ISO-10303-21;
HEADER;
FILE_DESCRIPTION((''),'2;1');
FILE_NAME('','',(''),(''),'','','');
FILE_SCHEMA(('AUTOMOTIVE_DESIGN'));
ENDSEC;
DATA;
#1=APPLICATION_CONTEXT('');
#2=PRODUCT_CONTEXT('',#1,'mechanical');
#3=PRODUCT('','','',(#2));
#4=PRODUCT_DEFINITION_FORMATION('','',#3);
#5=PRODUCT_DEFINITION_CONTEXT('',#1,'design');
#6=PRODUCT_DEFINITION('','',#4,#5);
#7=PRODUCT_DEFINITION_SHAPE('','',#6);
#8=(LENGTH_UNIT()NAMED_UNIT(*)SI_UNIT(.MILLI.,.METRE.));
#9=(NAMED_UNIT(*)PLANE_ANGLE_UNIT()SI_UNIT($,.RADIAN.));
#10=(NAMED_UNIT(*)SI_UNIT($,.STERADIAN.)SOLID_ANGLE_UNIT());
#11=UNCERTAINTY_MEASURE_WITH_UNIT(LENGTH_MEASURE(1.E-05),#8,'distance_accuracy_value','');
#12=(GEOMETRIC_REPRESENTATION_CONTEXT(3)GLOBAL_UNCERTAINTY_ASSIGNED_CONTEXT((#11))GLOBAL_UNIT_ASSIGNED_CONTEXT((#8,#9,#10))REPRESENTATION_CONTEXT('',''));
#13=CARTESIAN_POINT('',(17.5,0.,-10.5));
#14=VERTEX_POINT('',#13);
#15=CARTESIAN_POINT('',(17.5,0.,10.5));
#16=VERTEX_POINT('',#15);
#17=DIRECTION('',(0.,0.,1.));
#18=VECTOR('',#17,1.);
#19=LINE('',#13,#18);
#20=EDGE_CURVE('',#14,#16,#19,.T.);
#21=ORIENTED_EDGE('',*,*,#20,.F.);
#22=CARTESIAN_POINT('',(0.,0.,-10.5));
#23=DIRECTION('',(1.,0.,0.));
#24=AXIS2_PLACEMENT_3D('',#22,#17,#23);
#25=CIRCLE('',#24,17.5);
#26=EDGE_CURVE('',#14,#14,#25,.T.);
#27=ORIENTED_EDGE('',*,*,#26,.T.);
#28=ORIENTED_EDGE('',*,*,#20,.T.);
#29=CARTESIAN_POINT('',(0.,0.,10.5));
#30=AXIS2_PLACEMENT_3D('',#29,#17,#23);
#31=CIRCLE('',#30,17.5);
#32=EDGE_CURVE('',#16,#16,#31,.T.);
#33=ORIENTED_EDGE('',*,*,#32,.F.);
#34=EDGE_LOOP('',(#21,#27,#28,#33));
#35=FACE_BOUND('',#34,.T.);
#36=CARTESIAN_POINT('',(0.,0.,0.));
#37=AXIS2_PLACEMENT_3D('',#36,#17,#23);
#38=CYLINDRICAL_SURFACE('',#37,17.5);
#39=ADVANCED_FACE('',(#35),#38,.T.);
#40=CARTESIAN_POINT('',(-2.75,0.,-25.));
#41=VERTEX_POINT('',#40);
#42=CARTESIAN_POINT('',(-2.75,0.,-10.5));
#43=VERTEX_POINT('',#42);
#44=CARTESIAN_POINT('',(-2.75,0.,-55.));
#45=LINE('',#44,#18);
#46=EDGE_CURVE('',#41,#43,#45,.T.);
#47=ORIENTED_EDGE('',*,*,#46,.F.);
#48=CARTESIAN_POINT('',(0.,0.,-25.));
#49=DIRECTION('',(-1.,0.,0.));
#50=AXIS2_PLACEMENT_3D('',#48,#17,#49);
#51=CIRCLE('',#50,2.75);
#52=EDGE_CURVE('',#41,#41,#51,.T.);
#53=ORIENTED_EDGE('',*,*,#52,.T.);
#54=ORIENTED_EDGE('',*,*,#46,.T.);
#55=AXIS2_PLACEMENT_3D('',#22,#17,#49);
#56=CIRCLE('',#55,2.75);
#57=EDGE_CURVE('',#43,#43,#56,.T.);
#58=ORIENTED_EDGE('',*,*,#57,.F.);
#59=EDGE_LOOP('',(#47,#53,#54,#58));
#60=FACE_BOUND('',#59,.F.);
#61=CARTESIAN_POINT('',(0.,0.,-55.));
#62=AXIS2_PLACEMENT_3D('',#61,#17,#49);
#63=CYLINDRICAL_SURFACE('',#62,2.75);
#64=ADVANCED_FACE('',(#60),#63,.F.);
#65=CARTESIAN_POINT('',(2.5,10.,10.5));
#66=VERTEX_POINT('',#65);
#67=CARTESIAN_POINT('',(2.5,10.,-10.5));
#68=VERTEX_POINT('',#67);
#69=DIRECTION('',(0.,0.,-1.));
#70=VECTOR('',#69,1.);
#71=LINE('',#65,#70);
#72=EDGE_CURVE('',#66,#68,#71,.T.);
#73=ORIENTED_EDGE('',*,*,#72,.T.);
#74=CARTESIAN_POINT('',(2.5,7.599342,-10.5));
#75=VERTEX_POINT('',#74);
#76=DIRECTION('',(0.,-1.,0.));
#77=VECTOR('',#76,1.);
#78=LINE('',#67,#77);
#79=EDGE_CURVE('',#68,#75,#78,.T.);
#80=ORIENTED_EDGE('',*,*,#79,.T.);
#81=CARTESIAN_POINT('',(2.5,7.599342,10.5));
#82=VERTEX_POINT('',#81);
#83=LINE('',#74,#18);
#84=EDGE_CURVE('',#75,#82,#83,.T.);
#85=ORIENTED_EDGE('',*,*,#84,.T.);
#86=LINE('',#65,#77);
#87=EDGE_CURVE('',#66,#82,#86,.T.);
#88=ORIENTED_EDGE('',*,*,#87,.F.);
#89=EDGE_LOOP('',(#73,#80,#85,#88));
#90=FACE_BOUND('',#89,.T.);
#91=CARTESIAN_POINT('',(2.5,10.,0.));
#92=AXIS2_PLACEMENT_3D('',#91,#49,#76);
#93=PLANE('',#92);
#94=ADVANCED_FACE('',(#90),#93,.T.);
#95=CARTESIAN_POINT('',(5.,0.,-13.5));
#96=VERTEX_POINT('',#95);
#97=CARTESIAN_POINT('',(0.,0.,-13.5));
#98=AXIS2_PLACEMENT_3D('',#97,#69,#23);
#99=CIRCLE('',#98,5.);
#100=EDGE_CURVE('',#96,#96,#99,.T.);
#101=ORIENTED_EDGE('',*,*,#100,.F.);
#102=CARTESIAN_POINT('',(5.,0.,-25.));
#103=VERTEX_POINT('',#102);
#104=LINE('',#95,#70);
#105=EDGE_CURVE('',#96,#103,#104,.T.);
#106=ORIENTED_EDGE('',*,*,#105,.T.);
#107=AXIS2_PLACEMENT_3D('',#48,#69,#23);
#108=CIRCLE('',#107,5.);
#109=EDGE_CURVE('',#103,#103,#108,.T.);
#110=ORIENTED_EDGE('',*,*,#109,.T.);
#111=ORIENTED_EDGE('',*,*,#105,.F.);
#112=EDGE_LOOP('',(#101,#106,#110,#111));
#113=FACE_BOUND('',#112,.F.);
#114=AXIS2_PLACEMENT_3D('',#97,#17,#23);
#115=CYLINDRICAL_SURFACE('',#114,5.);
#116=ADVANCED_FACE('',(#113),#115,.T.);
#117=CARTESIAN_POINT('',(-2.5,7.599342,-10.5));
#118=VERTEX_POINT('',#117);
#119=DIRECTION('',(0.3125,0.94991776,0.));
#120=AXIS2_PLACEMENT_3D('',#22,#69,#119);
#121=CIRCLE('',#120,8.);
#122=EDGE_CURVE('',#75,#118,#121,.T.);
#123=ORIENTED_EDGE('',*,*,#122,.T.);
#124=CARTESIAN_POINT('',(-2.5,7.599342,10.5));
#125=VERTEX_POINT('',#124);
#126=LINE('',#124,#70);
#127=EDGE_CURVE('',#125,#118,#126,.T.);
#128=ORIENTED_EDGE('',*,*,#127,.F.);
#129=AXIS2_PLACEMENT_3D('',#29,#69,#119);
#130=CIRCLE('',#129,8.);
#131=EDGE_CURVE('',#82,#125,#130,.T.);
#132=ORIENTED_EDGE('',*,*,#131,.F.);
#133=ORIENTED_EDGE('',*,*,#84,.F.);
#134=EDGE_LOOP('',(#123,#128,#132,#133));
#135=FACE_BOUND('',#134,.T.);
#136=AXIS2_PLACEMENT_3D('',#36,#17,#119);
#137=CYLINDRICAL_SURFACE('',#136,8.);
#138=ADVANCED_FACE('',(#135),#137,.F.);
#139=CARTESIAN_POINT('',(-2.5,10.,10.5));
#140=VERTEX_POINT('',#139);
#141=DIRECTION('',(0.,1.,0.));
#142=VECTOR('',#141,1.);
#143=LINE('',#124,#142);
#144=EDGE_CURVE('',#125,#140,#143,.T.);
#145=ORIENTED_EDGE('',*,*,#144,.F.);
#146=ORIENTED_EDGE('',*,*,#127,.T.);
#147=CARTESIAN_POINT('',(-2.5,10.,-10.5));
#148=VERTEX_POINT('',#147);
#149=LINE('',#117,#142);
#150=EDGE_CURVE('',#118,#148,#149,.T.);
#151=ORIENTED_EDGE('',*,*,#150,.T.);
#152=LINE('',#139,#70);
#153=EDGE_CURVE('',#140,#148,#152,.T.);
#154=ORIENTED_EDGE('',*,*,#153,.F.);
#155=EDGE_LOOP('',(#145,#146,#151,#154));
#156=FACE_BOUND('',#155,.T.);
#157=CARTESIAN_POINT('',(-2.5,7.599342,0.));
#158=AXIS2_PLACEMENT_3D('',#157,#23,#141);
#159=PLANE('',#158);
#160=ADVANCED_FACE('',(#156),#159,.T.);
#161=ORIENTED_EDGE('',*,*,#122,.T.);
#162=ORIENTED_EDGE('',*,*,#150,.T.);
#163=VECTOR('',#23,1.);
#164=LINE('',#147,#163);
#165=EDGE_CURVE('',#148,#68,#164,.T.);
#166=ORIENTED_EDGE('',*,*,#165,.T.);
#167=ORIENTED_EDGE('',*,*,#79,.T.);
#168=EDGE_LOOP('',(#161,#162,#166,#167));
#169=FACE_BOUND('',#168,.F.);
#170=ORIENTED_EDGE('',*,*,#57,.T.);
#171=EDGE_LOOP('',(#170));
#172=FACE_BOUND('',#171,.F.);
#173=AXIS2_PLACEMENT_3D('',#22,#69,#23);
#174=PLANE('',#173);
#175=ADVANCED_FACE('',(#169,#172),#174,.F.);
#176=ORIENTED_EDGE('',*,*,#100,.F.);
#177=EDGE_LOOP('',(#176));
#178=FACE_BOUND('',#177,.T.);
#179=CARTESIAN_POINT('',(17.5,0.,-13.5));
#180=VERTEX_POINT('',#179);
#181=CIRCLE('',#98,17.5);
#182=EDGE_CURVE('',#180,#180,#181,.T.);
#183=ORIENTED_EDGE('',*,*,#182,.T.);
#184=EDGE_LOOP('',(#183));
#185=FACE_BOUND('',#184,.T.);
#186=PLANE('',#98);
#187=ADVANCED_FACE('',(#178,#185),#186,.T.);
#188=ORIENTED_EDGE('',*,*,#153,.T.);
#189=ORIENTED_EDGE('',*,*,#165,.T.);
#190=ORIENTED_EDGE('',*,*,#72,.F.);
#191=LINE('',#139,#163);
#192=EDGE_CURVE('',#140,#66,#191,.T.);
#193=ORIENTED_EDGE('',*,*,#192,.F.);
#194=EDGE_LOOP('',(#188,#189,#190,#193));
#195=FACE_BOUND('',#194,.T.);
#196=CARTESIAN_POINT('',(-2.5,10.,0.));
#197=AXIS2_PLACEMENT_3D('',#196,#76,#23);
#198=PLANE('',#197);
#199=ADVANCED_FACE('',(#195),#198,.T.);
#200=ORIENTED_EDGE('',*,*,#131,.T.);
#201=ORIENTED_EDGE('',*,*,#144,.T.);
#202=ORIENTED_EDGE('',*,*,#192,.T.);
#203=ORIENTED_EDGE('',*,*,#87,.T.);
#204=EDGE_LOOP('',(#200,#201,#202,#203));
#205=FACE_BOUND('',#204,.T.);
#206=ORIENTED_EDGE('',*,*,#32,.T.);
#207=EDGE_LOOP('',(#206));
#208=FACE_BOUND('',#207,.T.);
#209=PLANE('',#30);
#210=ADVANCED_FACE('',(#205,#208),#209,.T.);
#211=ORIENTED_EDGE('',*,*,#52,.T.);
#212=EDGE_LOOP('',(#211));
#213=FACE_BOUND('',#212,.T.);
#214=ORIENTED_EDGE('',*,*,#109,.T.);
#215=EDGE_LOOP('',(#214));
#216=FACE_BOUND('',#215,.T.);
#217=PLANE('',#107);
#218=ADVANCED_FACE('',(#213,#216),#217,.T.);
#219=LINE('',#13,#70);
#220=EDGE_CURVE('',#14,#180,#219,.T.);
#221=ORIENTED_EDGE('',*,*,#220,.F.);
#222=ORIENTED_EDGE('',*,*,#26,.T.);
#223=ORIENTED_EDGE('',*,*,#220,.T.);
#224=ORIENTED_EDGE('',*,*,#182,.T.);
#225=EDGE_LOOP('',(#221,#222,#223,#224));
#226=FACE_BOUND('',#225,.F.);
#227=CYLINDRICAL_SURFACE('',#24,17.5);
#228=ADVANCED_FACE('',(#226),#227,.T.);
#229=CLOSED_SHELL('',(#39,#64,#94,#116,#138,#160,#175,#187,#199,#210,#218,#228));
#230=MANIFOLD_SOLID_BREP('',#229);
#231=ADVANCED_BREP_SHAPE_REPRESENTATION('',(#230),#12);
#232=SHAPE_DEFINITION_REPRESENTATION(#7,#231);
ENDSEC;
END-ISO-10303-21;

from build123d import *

# Parameters (mm, degrees)
F0_R     = 17.5
F1_DEPTH = 10.5
F2_R     = 17.5
F3_DEPTH = 3
F4_R     = 5
F5_DEPTH = 11.5
F7_D     = 5.5
F7_DEPTH = 30
F7_TIP   = 1.6523667023


with BuildPart() as f1:
    # F0 (on Top) → F1 (new body, symmetric)
    with BuildSketch(Plane.XY):
        Circle(F0_R)
        with BuildLine():
            ThreePointArc((2.5, 7.5993420768), (0, -8), (-2.5, 7.5993420768))
            Line((-2.5, 7.5993420768), (-2.5, 10))
            Line((-2.5, 10), (2.5, 10))
            Line((2.5, 10), (2.5, 7.5993420768))
        make_face(mode=Mode.SUBTRACT)
    extrude(amount=F1_DEPTH, both=True)

    # F2 (on face) → F3 (join)
    with BuildSketch(Plane(origin=(0, 0, -10.5), x_dir=(1, 0, 0), z_dir=(0, 0, -1))):
        Circle(F2_R)
        with BuildLine():
            Line((-2.5, -10), (-2.5, -7.5993420768))
            ThreePointArc((-2.5, -7.5993420768), (0, 8), (2.5, -7.5993420768))
            Line((2.5, -7.5993420768), (2.5, -10))
            Line((2.5, -10), (-2.5, -10))
        make_face(mode=Mode.SUBTRACT)
        with BuildLine():
            ThreePointArc((2.5, -7.5993420768), (0, 8), (-2.5, -7.5993420768))
            Line((-2.5, -7.5993420768), (-2.5, -10))
            Line((-2.5, -10), (2.5, -10))
            Line((2.5, -10), (2.5, -7.5993420768))
        make_face()
    extrude(amount=F3_DEPTH)

    # F4 (on face) → F5 (join)
    with BuildSketch(Plane(origin=(0, 0, -13.5), x_dir=(1, 0, 0), z_dir=(0, 0, -1))):
        Circle(F4_R)
    extrude(amount=F5_DEPTH)

    # F7
    with Locations(Plane(origin=(0, 0, -25), x_dir=(1, 0, 0), z_dir=(0, 0, -1))):
        with Locations((0, 0)):
            Hole(F7_D / 2, depth=F7_DEPTH)
            with Locations((0, 0, -(F7_DEPTH + F7_TIP / 2))):  # 118° drill point
                Cone(0, F7_D / 2, F7_TIP, mode=Mode.SUBTRACT)


solid = f1.part
